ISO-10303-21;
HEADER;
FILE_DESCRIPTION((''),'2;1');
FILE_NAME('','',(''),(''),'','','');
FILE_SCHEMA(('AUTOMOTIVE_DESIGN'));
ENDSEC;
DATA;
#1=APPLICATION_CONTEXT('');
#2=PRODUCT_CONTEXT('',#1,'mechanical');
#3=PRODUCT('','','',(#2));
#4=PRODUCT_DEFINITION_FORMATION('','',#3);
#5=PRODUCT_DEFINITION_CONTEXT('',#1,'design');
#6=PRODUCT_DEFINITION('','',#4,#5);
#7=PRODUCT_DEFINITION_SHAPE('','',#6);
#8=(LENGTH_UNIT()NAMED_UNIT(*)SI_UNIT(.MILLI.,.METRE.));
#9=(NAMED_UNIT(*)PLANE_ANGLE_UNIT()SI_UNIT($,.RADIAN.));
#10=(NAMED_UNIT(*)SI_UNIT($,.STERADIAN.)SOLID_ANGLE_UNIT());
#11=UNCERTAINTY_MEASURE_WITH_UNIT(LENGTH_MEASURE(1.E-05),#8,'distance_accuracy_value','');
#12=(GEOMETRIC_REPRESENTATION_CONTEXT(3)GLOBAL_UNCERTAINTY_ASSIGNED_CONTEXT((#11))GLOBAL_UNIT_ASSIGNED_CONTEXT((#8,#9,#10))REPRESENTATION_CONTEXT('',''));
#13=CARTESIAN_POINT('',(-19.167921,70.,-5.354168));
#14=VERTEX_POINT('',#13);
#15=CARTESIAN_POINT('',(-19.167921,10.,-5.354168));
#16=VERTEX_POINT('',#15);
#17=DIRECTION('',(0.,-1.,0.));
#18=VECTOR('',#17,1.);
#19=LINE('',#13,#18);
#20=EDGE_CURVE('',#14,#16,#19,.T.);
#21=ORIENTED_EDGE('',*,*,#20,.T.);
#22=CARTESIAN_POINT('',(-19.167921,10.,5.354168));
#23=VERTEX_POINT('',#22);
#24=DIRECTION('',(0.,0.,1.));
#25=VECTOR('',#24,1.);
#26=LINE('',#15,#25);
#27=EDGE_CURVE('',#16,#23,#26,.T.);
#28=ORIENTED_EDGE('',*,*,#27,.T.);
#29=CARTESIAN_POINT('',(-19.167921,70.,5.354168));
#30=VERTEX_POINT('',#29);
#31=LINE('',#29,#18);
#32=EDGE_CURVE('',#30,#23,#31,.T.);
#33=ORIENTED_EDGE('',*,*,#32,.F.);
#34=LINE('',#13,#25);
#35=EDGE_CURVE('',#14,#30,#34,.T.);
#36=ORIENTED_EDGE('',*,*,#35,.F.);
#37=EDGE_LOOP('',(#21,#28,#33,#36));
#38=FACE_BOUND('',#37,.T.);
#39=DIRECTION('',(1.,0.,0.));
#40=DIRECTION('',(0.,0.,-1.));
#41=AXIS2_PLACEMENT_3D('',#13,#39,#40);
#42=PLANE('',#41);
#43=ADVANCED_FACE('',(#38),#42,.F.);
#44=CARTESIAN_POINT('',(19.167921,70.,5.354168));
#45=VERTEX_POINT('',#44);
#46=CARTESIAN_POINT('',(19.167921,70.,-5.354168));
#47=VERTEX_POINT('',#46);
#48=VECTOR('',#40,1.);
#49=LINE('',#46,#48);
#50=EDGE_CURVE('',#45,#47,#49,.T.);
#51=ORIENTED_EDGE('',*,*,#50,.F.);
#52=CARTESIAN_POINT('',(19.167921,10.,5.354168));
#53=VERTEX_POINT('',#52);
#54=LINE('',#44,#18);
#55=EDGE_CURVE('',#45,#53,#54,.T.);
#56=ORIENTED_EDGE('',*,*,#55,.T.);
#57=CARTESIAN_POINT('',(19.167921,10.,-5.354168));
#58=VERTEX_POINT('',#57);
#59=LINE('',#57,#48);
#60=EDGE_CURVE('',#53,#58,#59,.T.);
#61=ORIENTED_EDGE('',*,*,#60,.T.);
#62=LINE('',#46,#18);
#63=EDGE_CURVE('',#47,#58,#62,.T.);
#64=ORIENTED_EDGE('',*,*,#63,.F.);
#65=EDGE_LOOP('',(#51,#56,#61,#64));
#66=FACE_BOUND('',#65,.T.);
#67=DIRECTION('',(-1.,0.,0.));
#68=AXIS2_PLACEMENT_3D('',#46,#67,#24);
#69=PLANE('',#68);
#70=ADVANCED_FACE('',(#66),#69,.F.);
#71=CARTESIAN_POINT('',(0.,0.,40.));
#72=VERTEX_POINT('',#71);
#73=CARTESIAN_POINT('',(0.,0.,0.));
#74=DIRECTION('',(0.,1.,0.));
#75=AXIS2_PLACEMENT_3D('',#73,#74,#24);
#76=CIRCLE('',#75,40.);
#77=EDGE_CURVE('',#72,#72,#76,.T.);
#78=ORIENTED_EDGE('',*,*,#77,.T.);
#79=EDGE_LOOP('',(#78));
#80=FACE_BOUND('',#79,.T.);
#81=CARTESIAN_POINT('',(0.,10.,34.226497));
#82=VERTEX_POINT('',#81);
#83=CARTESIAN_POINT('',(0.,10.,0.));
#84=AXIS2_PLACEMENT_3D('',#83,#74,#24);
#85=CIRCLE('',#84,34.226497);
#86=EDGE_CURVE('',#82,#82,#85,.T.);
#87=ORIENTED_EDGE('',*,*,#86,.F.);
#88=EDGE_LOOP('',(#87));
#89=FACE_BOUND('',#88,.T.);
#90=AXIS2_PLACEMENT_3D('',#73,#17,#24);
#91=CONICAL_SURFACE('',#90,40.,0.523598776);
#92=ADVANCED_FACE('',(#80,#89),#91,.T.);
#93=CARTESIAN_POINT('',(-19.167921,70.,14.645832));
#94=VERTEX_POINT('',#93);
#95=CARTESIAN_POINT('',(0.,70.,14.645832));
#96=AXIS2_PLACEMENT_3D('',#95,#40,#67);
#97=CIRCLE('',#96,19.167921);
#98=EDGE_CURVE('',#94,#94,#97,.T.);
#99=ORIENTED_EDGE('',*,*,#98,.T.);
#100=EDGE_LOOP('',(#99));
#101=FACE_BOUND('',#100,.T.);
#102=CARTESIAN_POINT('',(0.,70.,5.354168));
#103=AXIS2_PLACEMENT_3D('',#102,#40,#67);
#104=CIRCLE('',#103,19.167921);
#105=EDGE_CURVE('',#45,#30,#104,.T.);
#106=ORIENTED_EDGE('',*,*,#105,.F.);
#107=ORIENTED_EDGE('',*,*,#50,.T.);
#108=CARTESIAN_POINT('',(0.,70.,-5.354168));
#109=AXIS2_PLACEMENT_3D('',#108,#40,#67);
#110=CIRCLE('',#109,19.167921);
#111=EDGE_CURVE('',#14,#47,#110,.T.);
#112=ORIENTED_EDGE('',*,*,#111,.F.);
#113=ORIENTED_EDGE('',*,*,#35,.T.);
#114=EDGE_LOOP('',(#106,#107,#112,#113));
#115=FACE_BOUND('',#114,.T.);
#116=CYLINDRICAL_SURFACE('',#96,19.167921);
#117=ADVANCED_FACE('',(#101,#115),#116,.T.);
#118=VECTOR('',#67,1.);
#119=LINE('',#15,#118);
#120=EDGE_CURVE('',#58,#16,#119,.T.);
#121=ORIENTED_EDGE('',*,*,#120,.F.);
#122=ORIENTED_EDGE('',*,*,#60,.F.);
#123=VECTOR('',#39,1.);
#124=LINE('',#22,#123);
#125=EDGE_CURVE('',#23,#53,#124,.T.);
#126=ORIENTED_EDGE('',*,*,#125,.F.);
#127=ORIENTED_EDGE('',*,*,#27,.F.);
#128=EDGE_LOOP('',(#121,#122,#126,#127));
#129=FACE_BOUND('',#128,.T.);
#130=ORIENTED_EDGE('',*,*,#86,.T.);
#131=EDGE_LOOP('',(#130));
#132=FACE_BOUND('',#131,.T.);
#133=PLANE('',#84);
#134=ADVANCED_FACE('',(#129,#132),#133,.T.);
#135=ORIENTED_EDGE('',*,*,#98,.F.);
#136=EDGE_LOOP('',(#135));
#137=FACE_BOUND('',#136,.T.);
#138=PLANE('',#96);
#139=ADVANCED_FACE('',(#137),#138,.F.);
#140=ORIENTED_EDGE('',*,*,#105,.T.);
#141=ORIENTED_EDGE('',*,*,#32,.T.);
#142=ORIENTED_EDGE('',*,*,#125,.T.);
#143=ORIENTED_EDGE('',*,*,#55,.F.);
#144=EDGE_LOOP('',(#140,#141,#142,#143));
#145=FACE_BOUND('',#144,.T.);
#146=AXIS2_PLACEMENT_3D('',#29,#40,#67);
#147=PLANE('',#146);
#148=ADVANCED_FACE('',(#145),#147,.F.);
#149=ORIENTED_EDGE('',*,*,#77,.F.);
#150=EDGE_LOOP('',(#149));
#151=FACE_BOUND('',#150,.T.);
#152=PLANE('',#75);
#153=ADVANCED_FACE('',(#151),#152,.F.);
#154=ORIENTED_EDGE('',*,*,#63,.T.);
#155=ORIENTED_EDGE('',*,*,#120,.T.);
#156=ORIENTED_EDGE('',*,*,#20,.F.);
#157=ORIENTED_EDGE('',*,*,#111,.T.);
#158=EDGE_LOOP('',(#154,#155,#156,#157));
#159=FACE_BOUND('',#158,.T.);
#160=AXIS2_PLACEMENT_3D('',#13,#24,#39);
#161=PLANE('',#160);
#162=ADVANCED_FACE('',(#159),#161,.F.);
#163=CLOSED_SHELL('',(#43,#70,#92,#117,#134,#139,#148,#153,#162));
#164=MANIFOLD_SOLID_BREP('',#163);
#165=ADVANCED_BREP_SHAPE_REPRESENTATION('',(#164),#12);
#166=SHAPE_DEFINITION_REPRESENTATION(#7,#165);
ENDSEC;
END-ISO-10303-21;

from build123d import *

# Parameters (mm, degrees)
SKETCH1_R           = 40
BOSS_EXTRUDE1_DEPTH = 10
BOSS_EXTRUDE1_TAPER = 30
SKETCH2_W           = 38.335841008
SKETCH2_H           = 10.708335478
BOSS_EXTRUDE2_DEPTH = 60
SKETCH3_R           = 19.167920504
BOSS_EXTRUDE3_DEPTH = 20


with BuildPart() as part:
    # Sketch1 → Boss-Extrude1 (new body)
    with BuildSketch(Plane(origin=(0, 0, 0), x_dir=(1, 0, 0), z_dir=(0, 1, 0))):
        Circle(SKETCH1_R)
    extrude(amount=BOSS_EXTRUDE1_DEPTH, taper=BOSS_EXTRUDE1_TAPER)

    # Sketch2 → Boss-Extrude2 (add)
    with BuildSketch(Plane(origin=(0, 10, 0), x_dir=(1, 0, 0), z_dir=(0, 1, 0))):
        Rectangle(SKETCH2_W, SKETCH2_H)
    extrude(amount=BOSS_EXTRUDE2_DEPTH)

    # Sketch3 → Boss-Extrude3 (add)
    with BuildSketch(Plane(origin=(0, 0, -5.354167739), x_dir=(-1, 0, 0), z_dir=(0, 0, -1))):
        with Locations((0, 70)):
            Circle(SKETCH3_R)
    extrude(amount=-BOSS_EXTRUDE3_DEPTH)


solid = part.part
